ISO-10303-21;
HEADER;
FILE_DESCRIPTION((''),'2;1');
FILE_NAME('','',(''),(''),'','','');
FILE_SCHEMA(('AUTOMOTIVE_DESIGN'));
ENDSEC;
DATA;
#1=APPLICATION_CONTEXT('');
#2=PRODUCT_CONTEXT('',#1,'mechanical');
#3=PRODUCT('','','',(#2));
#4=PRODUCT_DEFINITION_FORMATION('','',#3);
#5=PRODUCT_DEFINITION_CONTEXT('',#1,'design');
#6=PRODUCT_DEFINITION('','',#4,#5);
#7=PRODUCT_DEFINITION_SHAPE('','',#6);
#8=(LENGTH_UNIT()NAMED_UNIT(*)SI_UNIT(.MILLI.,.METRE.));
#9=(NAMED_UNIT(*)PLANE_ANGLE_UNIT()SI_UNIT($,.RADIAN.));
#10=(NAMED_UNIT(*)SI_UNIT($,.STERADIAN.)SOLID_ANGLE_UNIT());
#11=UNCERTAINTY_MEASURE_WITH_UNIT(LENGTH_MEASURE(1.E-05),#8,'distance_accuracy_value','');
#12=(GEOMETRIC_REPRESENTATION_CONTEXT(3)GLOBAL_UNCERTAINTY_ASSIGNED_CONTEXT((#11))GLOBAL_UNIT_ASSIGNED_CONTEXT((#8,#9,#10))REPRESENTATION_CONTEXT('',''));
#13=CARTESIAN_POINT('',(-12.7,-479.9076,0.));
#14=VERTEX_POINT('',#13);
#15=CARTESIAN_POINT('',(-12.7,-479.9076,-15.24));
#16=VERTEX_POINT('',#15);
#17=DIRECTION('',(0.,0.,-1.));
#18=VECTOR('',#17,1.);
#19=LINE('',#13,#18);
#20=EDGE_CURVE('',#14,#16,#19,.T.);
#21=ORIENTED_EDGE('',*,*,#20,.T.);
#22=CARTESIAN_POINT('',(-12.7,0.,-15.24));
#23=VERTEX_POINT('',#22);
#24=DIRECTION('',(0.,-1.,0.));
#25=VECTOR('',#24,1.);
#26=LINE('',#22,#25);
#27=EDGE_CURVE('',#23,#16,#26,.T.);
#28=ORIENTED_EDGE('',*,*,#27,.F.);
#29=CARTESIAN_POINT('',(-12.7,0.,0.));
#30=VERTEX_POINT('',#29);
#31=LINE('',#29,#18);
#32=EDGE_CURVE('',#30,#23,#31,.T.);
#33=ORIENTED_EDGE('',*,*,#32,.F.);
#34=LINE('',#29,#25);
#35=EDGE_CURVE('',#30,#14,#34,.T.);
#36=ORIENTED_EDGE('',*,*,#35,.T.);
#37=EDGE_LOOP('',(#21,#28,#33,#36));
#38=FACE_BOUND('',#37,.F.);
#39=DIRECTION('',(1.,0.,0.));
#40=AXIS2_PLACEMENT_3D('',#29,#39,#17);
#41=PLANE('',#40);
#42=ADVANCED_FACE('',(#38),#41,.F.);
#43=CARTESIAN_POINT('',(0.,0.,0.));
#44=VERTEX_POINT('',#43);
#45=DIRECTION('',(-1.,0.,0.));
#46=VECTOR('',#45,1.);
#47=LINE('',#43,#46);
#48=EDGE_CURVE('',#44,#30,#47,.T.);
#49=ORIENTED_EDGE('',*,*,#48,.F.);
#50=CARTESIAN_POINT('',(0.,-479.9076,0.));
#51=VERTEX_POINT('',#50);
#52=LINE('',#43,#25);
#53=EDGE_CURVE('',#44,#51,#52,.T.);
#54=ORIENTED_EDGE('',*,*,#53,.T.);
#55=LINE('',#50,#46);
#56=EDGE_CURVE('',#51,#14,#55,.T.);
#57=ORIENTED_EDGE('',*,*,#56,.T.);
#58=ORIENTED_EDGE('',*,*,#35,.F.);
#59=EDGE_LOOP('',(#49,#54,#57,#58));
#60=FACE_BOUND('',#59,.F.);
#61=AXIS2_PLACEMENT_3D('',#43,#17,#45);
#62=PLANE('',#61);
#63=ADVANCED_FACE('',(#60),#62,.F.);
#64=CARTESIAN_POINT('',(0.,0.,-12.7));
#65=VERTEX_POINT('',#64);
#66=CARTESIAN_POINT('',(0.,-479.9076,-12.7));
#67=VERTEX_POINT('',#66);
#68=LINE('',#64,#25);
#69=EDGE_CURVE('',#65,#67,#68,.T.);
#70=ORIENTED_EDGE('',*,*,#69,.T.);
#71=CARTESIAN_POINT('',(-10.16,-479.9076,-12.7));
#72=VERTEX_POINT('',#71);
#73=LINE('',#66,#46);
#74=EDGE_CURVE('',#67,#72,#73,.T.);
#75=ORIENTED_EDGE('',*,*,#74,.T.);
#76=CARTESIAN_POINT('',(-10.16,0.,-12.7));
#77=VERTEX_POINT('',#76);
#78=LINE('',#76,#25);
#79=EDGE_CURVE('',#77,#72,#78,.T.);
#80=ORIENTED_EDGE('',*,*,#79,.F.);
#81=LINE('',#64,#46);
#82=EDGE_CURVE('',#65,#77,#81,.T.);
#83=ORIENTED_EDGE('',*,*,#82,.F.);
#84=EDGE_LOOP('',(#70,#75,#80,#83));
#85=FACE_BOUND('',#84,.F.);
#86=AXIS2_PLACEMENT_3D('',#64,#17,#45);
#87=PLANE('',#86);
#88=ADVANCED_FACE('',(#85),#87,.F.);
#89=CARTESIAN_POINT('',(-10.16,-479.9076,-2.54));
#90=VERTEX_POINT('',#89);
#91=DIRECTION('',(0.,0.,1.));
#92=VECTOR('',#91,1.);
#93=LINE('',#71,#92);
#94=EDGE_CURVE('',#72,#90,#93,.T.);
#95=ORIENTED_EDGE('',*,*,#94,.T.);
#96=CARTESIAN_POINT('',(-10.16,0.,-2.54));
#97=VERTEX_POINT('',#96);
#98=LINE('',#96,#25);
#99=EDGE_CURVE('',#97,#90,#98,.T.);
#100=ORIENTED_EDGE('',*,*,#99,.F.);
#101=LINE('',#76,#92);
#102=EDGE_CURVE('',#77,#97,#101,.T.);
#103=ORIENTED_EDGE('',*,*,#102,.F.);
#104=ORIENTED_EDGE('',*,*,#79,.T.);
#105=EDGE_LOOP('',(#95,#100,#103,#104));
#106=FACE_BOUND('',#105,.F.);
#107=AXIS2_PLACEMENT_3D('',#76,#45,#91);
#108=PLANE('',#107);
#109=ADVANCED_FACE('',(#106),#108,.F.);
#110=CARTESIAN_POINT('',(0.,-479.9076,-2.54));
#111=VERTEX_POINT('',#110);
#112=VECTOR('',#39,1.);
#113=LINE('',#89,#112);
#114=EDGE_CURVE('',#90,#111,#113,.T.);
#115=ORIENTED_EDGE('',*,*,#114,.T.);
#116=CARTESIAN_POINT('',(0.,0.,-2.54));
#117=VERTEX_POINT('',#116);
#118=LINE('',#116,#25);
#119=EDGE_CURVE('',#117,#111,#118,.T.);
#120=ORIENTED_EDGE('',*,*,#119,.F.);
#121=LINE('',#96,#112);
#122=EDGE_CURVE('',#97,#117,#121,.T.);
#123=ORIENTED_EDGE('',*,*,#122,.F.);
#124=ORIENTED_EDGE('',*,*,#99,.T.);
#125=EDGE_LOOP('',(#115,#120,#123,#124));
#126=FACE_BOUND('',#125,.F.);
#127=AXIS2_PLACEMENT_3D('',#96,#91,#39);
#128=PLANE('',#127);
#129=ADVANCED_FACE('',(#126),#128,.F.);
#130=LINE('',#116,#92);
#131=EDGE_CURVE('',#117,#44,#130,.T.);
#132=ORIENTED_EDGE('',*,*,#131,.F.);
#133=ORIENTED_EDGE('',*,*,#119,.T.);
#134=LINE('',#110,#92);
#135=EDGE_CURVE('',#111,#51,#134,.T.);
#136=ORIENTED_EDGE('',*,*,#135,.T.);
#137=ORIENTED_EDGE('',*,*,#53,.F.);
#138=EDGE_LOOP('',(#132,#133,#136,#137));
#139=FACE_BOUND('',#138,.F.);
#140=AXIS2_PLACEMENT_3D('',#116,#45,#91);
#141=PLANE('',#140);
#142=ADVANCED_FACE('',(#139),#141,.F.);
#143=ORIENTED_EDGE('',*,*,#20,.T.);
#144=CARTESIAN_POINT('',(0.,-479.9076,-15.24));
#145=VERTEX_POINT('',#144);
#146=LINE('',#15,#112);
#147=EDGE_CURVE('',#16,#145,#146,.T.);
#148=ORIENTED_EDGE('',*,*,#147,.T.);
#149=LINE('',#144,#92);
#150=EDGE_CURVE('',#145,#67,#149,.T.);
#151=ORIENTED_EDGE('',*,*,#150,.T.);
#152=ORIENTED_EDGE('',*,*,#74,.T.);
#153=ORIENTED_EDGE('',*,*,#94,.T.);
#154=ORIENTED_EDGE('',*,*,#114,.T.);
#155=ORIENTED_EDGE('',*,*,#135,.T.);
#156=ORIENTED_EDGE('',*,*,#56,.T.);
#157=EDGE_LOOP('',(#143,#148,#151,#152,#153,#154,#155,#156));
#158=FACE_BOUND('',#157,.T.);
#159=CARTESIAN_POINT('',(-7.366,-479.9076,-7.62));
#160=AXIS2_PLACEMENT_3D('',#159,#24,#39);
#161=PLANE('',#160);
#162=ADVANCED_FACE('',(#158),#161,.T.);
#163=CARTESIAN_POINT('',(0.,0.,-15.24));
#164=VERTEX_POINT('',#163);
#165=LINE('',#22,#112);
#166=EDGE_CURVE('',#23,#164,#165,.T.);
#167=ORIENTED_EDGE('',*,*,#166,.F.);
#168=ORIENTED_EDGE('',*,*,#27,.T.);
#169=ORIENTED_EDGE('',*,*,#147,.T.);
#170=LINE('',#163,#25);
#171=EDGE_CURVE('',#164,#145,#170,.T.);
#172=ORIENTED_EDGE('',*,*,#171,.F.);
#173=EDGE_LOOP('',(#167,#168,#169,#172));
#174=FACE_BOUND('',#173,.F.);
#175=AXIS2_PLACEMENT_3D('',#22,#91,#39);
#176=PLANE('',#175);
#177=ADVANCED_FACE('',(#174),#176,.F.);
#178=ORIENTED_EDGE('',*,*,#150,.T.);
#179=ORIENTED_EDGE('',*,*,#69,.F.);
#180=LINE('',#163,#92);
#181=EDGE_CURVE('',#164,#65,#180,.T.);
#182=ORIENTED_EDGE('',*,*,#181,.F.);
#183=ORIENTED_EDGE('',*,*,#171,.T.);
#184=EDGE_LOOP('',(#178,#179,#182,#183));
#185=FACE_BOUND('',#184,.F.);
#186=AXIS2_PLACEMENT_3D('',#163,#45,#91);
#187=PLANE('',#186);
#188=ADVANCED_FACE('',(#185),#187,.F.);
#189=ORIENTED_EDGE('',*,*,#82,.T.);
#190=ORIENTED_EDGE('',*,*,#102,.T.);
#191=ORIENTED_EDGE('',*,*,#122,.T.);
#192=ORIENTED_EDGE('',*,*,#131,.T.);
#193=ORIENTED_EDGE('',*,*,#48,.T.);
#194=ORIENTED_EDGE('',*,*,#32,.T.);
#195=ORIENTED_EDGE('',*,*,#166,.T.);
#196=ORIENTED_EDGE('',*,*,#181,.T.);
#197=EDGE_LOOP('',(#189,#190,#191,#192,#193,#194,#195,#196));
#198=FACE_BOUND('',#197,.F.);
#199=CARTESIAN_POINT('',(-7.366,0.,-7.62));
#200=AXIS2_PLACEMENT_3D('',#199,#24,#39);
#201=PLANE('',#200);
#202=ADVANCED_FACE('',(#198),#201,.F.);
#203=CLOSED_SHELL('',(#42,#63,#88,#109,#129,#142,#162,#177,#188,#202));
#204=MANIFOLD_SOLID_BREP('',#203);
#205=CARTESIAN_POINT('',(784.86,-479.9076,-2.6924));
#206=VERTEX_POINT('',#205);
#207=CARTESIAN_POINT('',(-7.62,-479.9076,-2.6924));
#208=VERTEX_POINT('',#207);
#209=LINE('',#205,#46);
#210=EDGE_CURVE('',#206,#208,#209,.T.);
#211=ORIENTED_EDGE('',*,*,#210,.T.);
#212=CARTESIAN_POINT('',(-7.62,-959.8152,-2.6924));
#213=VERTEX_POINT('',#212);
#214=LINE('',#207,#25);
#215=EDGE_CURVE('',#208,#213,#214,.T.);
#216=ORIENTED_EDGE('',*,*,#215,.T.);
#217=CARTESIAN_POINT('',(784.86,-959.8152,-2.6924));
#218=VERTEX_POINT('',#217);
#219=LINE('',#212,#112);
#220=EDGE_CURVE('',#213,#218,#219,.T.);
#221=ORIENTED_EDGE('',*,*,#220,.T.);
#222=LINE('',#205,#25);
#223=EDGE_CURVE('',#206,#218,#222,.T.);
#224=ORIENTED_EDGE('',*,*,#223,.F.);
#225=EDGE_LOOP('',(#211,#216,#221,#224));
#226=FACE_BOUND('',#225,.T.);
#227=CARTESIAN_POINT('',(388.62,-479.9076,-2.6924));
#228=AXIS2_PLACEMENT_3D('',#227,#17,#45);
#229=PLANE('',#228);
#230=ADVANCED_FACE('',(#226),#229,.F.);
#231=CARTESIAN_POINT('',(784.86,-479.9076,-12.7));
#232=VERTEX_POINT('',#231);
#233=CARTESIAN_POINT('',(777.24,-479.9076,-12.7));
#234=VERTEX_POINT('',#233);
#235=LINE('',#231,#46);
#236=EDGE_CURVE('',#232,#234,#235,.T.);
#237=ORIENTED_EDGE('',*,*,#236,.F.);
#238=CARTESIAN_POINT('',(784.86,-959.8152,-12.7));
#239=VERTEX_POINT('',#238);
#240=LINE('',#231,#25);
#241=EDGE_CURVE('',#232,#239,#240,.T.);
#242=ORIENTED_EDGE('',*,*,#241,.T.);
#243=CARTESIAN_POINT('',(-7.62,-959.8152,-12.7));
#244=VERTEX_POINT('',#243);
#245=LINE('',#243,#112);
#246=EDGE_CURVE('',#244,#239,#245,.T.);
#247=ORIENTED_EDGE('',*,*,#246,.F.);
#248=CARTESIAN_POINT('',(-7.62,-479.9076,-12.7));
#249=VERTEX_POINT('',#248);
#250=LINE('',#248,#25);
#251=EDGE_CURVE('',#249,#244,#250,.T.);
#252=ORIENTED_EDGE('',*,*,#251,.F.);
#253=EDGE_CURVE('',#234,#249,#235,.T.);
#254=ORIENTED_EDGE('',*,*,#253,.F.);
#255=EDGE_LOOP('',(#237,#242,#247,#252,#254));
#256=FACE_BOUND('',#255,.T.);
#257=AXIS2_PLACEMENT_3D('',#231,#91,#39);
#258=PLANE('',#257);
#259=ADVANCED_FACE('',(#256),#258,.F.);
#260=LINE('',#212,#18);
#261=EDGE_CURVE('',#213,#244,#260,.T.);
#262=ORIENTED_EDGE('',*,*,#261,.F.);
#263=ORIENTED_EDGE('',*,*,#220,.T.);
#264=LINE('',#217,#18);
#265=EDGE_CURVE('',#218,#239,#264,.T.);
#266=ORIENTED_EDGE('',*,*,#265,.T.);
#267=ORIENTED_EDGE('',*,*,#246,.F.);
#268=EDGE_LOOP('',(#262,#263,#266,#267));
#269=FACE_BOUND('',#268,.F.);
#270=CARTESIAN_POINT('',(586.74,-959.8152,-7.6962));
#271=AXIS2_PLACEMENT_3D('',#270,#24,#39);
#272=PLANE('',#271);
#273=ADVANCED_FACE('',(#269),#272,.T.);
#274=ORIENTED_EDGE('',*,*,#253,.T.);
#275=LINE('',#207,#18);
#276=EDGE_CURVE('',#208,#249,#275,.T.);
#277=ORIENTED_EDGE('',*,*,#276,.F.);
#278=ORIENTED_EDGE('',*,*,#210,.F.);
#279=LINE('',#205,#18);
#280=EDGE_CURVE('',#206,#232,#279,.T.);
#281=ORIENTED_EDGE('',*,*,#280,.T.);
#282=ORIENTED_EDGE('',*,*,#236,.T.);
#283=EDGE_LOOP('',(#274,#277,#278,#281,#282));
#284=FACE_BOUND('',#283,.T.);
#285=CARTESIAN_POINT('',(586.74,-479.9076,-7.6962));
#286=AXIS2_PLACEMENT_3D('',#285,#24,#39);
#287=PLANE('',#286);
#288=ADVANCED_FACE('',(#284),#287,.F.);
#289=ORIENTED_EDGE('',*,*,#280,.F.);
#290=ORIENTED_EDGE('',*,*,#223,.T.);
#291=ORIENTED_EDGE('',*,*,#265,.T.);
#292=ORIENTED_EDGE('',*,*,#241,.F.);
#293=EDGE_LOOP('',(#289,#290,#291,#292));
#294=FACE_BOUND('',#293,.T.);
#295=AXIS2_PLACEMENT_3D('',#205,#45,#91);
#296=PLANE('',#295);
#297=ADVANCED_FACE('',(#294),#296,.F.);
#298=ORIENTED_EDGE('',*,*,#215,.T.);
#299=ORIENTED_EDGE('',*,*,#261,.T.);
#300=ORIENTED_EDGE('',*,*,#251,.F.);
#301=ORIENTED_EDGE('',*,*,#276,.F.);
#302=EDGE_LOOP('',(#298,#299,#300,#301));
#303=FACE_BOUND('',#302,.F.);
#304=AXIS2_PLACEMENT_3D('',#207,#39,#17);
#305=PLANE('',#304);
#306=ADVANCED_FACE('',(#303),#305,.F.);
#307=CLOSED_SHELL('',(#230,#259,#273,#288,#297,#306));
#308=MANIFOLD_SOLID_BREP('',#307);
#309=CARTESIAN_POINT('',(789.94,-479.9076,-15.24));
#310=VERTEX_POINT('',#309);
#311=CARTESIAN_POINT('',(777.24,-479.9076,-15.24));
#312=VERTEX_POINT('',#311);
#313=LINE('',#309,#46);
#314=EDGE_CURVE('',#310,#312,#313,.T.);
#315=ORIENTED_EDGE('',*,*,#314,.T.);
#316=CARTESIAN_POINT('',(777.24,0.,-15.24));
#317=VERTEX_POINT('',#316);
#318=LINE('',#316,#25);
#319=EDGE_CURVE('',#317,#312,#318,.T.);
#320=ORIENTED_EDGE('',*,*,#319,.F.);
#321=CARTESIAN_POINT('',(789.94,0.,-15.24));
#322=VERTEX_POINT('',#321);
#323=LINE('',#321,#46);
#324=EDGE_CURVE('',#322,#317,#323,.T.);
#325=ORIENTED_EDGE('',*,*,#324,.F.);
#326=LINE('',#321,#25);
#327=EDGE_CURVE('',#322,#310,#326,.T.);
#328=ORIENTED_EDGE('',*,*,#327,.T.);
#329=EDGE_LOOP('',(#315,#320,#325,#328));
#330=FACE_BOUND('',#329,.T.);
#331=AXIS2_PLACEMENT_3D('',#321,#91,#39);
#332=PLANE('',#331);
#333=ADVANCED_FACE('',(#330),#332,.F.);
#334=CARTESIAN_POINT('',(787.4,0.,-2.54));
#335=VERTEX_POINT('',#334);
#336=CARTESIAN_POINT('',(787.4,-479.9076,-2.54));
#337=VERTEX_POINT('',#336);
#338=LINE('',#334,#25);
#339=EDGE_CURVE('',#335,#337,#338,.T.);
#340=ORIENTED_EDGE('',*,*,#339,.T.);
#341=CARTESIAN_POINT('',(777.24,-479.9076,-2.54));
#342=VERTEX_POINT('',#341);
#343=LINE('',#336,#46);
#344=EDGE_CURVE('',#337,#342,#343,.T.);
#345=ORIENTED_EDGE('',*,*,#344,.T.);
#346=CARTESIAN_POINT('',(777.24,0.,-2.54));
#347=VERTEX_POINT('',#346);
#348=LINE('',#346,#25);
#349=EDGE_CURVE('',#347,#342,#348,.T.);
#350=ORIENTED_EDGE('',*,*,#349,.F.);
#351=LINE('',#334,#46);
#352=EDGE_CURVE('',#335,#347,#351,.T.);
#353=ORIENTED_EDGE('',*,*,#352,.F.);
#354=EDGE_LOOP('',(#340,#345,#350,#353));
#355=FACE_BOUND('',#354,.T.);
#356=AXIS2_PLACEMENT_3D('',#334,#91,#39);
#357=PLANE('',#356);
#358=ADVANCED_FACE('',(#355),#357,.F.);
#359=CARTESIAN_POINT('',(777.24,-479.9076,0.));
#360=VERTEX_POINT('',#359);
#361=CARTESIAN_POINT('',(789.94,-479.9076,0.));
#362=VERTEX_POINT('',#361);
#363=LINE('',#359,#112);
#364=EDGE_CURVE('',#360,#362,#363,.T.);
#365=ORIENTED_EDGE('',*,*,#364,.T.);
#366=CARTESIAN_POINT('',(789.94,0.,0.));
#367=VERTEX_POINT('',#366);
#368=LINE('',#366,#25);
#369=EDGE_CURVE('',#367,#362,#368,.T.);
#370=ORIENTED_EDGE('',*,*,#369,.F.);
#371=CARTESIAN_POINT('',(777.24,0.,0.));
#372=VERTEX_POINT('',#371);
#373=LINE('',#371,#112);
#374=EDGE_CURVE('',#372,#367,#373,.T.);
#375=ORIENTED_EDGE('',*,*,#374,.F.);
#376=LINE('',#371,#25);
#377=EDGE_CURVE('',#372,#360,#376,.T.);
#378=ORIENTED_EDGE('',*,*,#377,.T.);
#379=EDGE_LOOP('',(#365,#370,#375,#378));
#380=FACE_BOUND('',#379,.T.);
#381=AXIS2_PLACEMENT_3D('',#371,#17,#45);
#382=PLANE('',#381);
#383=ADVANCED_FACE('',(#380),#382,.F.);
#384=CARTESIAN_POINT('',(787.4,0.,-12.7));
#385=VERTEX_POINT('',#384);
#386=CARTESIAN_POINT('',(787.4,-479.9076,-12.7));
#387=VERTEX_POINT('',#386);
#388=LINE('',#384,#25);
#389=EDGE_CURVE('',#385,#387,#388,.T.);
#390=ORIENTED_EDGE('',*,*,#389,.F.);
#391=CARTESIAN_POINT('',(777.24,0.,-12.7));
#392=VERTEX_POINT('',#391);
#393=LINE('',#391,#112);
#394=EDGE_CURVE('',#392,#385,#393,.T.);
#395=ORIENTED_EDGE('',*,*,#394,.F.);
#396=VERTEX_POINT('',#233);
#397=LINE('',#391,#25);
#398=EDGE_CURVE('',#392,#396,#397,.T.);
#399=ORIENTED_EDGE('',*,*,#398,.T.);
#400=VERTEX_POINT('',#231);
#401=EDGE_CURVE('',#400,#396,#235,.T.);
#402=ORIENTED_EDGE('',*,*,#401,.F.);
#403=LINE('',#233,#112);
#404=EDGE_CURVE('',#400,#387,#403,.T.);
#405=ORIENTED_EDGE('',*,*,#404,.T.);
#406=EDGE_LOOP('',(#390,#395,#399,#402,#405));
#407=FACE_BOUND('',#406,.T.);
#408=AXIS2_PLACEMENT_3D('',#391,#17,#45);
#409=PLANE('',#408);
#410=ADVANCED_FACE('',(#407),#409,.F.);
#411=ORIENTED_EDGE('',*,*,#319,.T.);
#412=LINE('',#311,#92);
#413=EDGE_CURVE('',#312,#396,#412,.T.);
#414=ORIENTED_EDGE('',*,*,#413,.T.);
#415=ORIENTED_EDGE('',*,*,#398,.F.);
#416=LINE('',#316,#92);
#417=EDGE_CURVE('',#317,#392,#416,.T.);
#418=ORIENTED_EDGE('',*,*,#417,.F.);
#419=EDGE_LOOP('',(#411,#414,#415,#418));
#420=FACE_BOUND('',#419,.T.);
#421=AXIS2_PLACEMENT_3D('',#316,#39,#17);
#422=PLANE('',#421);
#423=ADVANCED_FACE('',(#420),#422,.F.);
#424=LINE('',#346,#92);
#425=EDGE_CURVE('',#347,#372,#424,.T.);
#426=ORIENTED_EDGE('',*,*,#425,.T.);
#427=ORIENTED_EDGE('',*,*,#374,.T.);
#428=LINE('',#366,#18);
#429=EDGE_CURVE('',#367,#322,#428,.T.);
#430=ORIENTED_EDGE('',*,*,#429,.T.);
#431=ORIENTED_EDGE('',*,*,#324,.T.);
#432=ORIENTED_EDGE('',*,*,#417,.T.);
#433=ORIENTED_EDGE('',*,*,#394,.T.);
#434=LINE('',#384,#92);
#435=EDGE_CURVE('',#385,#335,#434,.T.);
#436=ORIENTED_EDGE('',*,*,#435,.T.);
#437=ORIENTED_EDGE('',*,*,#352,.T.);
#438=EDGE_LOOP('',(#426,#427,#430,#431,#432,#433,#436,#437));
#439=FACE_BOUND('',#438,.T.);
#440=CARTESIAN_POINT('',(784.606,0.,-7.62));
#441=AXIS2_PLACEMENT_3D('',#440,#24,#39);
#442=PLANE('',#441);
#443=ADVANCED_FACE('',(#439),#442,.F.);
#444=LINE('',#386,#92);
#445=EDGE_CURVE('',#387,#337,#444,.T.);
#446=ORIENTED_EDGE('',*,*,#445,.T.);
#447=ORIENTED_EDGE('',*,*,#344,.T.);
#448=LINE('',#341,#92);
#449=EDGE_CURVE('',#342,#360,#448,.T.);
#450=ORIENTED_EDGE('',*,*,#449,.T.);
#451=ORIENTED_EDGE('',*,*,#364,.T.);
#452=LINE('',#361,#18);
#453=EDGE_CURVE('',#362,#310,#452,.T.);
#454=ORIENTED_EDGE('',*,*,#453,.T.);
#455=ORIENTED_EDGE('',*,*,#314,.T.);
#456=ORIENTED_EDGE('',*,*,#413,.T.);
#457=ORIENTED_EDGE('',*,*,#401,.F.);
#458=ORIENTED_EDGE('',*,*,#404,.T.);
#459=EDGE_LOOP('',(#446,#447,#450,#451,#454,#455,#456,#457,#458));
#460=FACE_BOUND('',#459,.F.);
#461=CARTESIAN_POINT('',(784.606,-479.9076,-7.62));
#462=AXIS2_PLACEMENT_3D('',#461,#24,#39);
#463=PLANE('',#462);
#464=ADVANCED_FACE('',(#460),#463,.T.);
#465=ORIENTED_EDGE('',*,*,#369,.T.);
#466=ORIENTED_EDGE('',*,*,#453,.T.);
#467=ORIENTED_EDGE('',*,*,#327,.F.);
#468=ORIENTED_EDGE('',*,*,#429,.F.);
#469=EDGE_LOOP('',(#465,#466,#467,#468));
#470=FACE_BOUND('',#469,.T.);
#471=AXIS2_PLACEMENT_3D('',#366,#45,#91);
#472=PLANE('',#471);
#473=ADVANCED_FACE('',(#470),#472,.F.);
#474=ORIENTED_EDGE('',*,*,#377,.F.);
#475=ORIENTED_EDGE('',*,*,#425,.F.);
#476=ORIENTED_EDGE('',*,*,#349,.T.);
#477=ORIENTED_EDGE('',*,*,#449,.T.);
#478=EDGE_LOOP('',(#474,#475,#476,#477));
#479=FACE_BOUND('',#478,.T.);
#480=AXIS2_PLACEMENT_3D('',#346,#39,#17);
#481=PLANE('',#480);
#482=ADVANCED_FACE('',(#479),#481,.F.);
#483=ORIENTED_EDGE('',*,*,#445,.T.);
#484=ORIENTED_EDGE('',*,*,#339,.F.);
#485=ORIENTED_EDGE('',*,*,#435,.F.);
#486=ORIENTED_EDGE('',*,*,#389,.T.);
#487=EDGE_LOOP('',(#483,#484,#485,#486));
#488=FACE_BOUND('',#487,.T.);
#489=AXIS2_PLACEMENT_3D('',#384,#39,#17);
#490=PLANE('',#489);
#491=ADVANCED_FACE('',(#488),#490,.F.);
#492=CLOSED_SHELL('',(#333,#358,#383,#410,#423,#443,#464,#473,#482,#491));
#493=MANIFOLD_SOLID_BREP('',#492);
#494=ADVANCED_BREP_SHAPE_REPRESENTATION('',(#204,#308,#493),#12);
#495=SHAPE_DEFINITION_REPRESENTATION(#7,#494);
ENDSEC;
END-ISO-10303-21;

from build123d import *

# Parameters (mm, degrees)
F1_DEPTH = 479.9076
F3_DEPTH = 479.9076


with BuildPart() as f1:
    # F0 (on Front) → F1 (new body)
    with BuildSketch(Plane.XZ):
        Polygon((0, -2.54), (0, 0), (-12.7, 0), (-12.7, -15.24), (0, -15.24), (0, -12.7), (-10.16, -12.7), (-10.16, -2.54), align=None)
    extrude(amount=F1_DEPTH)


with BuildPart() as f3:
    # F2 (on face) → F3 (new body)
    with BuildSketch(Plane.XZ.offset(479.9076)):
        Polygon((388.62, -2.6924), (-7.62, -2.6924), (-7.62, -12.7), (0, -12.7), (388.62, -12.7), align=None)
    extrude(amount=F3_DEPTH)

    # F5: F3, F1 across plane


with BuildPart() as f3_1:
    add(f3.part)
    add(f3.part.mirror(Plane(origin=(388.62, -719.8614, -7.6962), x_dir=(0, 1, 0), z_dir=(1, 0, 0))))
    add(f1.part.mirror(Plane(origin=(388.62, -719.8614, -7.6962), x_dir=(0, 1, 0), z_dir=(1, 0, 0))))


solid = Compound([f1.part, f3_1.part])
